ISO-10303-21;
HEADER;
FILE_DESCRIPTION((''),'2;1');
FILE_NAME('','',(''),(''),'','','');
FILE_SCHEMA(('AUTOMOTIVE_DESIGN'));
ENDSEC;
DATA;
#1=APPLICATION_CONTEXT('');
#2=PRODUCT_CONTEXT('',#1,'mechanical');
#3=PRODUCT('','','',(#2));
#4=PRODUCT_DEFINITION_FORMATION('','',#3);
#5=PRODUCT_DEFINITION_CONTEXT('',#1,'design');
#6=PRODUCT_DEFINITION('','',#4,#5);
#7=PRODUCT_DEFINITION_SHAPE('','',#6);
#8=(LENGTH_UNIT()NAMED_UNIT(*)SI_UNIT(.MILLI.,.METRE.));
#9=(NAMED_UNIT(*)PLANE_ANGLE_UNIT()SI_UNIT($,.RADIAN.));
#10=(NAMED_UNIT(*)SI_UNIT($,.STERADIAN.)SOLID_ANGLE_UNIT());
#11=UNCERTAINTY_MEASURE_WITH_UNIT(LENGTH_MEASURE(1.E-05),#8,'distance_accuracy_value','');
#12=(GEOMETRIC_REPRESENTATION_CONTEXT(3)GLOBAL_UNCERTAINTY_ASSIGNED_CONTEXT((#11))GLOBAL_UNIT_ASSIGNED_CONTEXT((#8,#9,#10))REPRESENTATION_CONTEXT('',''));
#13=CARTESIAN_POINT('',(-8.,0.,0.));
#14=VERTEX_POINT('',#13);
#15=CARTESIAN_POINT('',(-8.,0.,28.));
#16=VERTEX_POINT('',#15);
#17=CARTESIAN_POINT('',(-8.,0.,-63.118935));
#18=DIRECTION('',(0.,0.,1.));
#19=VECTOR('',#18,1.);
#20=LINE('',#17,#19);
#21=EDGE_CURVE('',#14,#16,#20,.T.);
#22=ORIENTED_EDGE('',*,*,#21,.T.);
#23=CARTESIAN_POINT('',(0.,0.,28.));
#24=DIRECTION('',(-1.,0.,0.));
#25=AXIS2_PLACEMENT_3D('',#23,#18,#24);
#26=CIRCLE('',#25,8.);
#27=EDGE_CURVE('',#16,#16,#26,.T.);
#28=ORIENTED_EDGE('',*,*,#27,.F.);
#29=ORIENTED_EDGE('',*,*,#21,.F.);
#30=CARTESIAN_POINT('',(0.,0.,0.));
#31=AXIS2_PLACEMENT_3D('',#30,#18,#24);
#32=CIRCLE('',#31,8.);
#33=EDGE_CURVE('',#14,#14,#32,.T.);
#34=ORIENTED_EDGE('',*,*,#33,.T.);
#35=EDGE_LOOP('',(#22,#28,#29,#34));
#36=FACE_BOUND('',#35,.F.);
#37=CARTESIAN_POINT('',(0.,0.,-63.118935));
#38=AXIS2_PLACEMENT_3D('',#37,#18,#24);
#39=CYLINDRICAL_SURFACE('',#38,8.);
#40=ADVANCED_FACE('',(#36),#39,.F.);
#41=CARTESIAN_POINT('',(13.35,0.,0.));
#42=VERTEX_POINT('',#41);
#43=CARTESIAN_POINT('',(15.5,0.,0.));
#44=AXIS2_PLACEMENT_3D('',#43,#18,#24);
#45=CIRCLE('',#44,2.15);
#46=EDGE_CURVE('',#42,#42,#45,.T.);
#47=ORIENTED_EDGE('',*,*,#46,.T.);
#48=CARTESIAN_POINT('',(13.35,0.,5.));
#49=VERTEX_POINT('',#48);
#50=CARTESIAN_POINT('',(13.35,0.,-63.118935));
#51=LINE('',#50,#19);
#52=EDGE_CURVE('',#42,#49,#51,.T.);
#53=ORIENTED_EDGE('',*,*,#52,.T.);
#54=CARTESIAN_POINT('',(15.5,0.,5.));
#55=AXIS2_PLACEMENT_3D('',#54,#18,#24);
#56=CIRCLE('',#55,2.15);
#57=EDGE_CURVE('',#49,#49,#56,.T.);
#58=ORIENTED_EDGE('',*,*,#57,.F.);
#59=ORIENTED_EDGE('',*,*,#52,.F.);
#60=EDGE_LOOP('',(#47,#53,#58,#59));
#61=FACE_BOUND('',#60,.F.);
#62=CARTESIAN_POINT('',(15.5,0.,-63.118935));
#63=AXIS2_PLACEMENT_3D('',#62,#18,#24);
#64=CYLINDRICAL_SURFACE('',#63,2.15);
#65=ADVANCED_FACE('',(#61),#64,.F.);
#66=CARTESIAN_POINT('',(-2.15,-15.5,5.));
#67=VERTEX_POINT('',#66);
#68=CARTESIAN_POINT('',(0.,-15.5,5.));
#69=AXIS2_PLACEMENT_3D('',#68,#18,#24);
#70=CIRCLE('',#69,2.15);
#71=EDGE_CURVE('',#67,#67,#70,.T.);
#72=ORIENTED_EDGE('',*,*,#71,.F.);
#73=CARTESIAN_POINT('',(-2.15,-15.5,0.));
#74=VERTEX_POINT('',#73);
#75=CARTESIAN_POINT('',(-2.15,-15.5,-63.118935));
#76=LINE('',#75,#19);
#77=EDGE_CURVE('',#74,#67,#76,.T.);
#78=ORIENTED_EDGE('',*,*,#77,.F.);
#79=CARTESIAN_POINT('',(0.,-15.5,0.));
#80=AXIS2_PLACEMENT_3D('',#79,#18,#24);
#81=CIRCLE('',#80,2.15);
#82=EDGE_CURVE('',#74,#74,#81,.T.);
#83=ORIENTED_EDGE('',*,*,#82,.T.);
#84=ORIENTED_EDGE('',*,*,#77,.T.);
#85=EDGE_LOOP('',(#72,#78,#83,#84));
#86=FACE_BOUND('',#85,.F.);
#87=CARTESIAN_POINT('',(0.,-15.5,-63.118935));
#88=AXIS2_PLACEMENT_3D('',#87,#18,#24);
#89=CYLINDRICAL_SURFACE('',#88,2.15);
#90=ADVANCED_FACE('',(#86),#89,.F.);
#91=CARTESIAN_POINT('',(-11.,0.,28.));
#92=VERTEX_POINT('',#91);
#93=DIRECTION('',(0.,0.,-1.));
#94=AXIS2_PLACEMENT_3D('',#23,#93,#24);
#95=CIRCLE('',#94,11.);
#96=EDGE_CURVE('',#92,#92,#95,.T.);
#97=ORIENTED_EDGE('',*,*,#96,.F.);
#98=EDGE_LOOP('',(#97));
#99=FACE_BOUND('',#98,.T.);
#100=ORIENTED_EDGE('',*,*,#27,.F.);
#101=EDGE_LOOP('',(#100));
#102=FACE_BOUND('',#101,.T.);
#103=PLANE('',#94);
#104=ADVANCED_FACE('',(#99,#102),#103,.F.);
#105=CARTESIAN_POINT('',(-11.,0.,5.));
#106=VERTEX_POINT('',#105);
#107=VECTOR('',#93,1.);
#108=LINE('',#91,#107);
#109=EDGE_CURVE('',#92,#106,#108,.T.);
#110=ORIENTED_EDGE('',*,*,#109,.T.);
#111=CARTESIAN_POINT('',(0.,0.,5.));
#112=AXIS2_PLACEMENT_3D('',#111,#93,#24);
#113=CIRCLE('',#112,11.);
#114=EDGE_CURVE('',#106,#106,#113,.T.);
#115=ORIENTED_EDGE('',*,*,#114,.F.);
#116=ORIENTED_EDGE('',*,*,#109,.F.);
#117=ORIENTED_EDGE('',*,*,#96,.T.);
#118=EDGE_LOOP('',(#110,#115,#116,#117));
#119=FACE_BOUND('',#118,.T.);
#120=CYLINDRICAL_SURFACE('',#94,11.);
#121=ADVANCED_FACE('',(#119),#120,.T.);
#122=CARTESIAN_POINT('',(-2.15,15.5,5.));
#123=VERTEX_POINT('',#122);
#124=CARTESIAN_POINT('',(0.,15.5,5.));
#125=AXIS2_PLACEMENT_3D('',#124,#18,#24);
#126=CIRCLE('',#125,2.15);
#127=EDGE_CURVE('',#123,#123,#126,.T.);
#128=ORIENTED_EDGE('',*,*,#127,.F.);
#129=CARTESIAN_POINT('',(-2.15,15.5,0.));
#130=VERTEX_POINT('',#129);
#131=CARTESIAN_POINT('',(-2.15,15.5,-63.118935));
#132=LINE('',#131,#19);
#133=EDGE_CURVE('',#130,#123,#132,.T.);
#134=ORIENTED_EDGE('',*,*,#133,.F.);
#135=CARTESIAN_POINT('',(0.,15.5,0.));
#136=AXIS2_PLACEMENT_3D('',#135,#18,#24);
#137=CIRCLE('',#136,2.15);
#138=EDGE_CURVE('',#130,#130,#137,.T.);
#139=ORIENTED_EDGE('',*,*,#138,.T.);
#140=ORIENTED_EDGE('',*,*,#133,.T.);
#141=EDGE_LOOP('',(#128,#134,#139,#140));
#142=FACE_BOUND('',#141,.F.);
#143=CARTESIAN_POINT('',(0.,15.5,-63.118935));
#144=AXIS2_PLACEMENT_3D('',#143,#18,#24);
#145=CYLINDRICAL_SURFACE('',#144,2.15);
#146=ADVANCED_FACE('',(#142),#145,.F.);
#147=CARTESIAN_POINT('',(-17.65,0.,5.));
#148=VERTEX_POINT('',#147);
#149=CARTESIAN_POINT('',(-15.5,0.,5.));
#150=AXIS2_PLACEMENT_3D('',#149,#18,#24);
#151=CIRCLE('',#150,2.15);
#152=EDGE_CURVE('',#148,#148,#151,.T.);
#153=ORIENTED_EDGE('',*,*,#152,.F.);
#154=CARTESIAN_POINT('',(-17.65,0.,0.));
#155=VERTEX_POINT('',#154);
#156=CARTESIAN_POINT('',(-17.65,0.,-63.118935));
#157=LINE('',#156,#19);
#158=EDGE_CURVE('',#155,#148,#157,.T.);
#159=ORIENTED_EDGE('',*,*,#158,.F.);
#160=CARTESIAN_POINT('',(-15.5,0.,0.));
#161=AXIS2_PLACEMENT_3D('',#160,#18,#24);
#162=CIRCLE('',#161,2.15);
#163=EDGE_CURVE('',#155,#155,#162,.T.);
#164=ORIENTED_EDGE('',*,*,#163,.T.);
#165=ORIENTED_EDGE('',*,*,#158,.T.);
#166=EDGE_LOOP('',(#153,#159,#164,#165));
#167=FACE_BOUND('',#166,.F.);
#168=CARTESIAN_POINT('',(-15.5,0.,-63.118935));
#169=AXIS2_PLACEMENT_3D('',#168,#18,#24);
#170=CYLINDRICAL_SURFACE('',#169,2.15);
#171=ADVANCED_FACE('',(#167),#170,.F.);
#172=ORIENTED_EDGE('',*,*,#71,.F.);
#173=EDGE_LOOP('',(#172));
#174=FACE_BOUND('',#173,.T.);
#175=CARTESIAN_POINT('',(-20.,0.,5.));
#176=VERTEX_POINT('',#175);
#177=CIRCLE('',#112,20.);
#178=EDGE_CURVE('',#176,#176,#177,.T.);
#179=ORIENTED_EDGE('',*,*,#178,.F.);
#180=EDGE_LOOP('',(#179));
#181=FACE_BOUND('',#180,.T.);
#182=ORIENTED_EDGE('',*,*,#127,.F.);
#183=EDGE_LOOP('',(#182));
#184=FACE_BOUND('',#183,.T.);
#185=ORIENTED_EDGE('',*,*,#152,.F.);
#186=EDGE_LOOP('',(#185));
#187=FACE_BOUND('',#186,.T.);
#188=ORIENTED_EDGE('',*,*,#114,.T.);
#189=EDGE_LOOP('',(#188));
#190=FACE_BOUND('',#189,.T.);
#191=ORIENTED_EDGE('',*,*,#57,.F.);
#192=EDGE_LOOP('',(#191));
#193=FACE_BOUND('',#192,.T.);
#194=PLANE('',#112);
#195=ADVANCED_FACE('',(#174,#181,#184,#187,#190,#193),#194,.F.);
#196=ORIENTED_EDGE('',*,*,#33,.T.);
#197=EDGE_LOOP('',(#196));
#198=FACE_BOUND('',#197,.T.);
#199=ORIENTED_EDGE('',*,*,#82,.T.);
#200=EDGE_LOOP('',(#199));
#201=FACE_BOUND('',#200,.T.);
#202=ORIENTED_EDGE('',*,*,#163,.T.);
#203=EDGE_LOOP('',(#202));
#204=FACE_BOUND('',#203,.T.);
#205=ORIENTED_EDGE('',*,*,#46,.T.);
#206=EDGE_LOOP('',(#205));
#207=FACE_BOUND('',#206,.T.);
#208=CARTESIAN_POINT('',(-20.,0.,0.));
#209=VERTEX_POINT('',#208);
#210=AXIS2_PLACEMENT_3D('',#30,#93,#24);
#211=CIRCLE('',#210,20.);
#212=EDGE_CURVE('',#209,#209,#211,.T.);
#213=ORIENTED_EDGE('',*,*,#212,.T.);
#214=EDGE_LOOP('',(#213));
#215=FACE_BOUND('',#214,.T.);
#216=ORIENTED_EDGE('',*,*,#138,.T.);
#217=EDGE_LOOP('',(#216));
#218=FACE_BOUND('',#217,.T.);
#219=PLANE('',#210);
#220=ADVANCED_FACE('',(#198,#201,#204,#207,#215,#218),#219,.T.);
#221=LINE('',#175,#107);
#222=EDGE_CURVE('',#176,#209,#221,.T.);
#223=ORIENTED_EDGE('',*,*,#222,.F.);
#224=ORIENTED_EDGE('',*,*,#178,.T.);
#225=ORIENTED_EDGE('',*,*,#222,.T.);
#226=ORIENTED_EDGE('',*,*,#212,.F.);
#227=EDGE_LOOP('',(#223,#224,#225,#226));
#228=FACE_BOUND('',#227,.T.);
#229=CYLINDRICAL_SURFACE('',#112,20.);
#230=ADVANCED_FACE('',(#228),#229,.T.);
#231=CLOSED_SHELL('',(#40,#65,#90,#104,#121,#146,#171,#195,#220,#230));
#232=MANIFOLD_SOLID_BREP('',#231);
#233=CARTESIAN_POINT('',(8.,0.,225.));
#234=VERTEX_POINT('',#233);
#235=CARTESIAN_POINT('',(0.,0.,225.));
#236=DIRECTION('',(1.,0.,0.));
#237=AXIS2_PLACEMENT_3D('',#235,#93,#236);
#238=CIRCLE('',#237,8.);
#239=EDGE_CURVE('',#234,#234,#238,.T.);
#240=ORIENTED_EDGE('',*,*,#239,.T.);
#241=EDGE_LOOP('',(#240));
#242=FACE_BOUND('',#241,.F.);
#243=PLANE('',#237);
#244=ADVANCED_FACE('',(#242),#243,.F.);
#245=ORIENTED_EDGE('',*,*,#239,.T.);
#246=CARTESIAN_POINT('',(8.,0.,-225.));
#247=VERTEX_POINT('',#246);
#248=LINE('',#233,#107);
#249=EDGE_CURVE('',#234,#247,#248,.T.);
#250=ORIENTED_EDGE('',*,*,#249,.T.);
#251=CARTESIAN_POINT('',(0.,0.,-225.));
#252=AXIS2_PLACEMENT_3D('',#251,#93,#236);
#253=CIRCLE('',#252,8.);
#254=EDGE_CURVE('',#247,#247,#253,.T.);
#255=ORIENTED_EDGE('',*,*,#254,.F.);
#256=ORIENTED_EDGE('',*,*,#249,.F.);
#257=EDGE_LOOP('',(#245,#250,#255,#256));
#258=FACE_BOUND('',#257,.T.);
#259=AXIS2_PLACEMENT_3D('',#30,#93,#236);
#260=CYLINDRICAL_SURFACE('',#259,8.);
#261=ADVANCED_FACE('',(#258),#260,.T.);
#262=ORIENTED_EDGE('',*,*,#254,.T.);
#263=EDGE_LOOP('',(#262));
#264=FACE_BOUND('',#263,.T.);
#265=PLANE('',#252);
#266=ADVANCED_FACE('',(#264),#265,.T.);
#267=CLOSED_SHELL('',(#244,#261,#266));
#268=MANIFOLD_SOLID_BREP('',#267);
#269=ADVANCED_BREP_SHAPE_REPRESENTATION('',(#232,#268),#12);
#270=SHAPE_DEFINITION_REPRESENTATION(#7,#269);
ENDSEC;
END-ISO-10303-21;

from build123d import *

# Parameters (mm, degrees)
F3_D          = 16
F4_D          = 4.3
F5_R          = 8
F6_DEPTH      = 225
F6_DEPTH_BACK = 225


with BuildPart() as f1:
    # F0 (on Front) → F1 (revolve)
    with BuildSketch(Plane.XZ):
        Polygon((-20, 0), (0, 0), (0, 28), (-11, 28), (-11, 5), (-20, 5), align=None)
    revolve(axis=Axis((0, 0, 14), (0, 0, -1)))

    # F3 (through all)
    with Locations(Plane(origin=(0, 0, 0), x_dir=(1, 0, 0), z_dir=(0, 0, -1))):
        with Locations((0, 0)):
            Hole(F3_D / 2)

    # F4 (through all)
    with Locations(Plane(origin=(0, 0, 0), x_dir=(1, 0, 0), z_dir=(0, 0, -1))):
        with Locations((0, 15.5), (15.5, 0), (0, -15.5), (-15.5, 0)):
            Hole(F4_D / 2)


with BuildPart() as f6:
    # F5 (on face) → F6 (new body, two sides)
    with BuildSketch(Plane(origin=(0, 0, 0), x_dir=(1, 0, 0), z_dir=(0, 0, -1))) as f6_sk:
        Circle(F5_R)
    extrude(amount=F6_DEPTH)
    extrude(f6_sk.sketch, amount=-F6_DEPTH_BACK)


solid = Compound([f1.part, f6.part])
